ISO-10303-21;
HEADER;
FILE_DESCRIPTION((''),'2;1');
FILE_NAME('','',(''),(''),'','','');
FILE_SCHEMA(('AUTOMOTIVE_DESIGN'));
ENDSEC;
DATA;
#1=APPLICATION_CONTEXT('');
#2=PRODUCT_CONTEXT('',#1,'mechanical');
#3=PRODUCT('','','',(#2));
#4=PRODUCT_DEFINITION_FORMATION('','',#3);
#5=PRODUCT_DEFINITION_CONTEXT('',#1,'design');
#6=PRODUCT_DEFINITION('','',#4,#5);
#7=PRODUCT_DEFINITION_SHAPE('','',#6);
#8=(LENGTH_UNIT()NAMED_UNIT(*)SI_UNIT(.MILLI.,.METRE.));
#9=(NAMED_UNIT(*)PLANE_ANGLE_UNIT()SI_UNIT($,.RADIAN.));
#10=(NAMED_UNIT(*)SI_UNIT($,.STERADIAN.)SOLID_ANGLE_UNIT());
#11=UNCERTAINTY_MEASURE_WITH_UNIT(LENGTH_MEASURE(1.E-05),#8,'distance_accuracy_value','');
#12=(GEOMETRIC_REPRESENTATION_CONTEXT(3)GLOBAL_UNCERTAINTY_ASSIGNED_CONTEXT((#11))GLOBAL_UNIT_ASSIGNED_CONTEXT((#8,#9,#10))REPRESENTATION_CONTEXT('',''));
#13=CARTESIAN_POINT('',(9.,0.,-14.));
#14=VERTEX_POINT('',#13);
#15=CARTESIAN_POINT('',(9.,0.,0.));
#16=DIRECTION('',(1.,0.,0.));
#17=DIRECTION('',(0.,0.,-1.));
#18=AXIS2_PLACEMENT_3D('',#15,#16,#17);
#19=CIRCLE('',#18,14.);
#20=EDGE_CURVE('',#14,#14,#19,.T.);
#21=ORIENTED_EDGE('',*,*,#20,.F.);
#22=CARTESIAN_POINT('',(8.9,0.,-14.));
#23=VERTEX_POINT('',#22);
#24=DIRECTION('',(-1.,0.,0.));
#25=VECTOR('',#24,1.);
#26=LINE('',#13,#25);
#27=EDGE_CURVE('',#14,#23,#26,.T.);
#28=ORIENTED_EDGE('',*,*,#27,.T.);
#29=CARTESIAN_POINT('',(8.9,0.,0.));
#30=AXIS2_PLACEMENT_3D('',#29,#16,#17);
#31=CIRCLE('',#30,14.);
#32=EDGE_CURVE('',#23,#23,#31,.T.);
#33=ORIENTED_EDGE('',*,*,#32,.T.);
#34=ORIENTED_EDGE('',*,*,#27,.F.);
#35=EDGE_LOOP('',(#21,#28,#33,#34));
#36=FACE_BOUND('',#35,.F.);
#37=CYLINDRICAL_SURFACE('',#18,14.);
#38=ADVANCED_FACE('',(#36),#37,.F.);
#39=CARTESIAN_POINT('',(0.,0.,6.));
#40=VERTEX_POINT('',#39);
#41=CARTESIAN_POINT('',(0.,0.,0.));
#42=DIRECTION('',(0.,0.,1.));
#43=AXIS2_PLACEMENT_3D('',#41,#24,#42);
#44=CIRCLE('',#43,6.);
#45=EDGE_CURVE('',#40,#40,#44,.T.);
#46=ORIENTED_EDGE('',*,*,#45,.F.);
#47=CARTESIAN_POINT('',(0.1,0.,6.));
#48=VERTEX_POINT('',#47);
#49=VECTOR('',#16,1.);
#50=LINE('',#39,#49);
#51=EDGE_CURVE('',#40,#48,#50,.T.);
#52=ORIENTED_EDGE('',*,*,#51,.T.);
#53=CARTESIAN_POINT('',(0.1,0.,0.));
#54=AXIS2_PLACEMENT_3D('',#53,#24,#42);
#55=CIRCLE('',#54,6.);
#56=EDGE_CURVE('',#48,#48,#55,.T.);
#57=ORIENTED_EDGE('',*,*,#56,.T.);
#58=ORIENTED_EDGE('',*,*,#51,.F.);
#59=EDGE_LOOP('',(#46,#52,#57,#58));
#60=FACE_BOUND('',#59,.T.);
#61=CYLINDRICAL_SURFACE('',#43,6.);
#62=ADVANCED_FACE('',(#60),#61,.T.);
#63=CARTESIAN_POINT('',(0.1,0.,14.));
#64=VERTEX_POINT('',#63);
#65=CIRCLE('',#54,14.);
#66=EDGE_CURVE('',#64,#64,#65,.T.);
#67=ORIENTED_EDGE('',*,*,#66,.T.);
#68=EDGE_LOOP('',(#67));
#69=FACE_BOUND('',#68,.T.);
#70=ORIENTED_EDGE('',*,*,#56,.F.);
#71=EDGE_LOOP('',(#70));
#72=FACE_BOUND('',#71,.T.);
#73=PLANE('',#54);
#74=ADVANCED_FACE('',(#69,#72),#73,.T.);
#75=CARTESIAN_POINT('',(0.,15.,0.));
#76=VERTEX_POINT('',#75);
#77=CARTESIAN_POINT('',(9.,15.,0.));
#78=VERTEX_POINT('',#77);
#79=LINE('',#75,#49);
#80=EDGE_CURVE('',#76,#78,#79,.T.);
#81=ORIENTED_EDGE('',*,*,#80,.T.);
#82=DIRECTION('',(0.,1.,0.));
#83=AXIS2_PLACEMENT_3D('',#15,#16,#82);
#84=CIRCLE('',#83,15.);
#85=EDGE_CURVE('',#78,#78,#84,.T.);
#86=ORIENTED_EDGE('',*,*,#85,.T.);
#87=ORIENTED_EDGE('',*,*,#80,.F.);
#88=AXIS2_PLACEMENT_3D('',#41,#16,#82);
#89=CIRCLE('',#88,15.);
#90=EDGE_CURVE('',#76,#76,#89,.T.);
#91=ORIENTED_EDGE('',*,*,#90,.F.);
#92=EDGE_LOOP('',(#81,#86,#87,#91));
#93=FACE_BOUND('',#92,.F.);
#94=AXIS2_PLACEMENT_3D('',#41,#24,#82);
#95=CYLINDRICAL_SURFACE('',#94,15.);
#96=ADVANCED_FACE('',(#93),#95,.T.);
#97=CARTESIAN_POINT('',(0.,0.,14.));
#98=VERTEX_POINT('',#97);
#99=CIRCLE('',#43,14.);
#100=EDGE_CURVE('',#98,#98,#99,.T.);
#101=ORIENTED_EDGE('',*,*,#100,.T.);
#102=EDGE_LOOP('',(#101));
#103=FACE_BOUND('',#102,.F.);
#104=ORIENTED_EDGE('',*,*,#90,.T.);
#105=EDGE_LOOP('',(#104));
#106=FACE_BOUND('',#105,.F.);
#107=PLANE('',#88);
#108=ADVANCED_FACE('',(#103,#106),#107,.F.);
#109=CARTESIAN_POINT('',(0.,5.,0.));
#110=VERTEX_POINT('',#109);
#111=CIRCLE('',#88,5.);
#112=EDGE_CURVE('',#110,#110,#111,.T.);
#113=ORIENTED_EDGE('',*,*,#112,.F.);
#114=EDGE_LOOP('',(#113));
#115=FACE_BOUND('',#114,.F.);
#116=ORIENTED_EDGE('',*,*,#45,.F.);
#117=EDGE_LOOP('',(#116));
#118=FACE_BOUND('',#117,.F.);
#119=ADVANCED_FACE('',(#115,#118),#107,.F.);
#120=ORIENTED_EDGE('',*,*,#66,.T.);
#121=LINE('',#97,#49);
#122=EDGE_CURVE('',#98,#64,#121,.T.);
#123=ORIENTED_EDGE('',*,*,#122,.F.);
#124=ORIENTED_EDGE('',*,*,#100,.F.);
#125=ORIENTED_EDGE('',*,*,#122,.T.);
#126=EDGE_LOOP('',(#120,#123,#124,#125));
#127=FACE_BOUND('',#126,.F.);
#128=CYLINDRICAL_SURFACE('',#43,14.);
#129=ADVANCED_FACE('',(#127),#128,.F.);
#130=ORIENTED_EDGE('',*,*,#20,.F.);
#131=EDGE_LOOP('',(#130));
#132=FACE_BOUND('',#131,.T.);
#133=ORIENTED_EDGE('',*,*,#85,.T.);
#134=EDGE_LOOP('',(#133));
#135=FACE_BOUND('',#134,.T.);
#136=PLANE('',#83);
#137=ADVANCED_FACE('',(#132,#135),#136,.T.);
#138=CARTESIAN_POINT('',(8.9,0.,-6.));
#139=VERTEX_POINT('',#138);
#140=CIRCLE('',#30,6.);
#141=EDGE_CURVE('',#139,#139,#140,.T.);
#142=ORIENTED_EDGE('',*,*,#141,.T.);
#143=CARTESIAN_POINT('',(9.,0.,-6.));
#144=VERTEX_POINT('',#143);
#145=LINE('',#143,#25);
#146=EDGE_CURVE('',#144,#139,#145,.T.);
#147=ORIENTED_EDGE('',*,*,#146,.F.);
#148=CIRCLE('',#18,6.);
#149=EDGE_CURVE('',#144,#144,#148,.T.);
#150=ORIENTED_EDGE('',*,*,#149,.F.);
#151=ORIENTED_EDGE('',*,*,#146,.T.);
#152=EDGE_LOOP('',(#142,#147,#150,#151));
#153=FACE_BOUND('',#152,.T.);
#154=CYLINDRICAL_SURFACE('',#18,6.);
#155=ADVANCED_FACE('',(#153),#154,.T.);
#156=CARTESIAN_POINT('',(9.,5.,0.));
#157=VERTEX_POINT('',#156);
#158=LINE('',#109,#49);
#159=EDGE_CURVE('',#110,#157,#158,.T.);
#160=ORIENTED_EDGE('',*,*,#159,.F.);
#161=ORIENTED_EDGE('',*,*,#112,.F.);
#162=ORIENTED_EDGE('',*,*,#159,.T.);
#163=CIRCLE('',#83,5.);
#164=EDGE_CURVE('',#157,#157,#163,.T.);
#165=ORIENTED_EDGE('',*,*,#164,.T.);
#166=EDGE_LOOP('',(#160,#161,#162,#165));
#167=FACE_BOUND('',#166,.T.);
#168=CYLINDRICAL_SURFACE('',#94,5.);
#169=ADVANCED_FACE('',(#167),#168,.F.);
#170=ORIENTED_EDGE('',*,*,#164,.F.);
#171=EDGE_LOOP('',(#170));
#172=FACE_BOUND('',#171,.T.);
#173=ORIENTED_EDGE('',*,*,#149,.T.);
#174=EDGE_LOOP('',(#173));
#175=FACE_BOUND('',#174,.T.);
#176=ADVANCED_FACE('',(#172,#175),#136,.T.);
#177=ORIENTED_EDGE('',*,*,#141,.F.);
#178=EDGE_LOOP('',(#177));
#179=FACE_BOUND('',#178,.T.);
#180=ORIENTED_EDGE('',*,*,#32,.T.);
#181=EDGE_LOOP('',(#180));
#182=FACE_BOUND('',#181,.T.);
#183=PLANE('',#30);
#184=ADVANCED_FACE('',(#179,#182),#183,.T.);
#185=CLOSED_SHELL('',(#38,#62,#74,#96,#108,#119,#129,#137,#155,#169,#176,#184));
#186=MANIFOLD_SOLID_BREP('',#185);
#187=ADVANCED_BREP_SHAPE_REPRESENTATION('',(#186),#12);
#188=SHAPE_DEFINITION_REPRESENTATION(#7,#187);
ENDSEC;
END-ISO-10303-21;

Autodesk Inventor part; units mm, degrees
ref_plane "YZ Plane" through (0, 0, 0) normal (1, 0, 0) x (0, 1, 0)
ref_plane "XZ Plane" through (0, 0, 0) normal (0, 1, 0) x (-1, 0, 0)
ref_plane "XY Plane" through (0, 0, 0) normal (0, 0, 1) x (1, 0, 0)
sketch "スケッチ1" plane through (0, 0, 0) normal (1, 0, 0) x (0, 1, 0)
  circle A0 centre (0, 0) radius 5
  circle A1 centre (0, 0) radius 15
  dimension "d0" = 10
  dimension "d1" = 30
extrude "押し出し1" add sketch "スケッチ1" along normal blind 9
sketch "スケッチ2" plane through (9, 0, 0) normal (1, 0, 0) x (0, 0, -1)
  circle A0 centre (0, 0) radius 14
  circle A1 centre (0, 0) radius 6
  dimension "d4" = 28
  dimension "d5" = 12
extrude "押し出し2" cut sketch "スケッチ2" against normal blind 0.1
sketch "スケッチ3" plane through (0, 0, 0) normal (-1, 0, 0) x (0, 0, 1)
  circle A0 centre (0, 0) radius 6
  circle A1 centre (0, 0) radius 14
  dimension "d8" = 12
  dimension "d9" = 28
extrude "押し出し3" cut sketch "スケッチ3" against normal blind 0.1
properties part number "Bearing_6200ZZ" material "鋼、炭素鋼"
